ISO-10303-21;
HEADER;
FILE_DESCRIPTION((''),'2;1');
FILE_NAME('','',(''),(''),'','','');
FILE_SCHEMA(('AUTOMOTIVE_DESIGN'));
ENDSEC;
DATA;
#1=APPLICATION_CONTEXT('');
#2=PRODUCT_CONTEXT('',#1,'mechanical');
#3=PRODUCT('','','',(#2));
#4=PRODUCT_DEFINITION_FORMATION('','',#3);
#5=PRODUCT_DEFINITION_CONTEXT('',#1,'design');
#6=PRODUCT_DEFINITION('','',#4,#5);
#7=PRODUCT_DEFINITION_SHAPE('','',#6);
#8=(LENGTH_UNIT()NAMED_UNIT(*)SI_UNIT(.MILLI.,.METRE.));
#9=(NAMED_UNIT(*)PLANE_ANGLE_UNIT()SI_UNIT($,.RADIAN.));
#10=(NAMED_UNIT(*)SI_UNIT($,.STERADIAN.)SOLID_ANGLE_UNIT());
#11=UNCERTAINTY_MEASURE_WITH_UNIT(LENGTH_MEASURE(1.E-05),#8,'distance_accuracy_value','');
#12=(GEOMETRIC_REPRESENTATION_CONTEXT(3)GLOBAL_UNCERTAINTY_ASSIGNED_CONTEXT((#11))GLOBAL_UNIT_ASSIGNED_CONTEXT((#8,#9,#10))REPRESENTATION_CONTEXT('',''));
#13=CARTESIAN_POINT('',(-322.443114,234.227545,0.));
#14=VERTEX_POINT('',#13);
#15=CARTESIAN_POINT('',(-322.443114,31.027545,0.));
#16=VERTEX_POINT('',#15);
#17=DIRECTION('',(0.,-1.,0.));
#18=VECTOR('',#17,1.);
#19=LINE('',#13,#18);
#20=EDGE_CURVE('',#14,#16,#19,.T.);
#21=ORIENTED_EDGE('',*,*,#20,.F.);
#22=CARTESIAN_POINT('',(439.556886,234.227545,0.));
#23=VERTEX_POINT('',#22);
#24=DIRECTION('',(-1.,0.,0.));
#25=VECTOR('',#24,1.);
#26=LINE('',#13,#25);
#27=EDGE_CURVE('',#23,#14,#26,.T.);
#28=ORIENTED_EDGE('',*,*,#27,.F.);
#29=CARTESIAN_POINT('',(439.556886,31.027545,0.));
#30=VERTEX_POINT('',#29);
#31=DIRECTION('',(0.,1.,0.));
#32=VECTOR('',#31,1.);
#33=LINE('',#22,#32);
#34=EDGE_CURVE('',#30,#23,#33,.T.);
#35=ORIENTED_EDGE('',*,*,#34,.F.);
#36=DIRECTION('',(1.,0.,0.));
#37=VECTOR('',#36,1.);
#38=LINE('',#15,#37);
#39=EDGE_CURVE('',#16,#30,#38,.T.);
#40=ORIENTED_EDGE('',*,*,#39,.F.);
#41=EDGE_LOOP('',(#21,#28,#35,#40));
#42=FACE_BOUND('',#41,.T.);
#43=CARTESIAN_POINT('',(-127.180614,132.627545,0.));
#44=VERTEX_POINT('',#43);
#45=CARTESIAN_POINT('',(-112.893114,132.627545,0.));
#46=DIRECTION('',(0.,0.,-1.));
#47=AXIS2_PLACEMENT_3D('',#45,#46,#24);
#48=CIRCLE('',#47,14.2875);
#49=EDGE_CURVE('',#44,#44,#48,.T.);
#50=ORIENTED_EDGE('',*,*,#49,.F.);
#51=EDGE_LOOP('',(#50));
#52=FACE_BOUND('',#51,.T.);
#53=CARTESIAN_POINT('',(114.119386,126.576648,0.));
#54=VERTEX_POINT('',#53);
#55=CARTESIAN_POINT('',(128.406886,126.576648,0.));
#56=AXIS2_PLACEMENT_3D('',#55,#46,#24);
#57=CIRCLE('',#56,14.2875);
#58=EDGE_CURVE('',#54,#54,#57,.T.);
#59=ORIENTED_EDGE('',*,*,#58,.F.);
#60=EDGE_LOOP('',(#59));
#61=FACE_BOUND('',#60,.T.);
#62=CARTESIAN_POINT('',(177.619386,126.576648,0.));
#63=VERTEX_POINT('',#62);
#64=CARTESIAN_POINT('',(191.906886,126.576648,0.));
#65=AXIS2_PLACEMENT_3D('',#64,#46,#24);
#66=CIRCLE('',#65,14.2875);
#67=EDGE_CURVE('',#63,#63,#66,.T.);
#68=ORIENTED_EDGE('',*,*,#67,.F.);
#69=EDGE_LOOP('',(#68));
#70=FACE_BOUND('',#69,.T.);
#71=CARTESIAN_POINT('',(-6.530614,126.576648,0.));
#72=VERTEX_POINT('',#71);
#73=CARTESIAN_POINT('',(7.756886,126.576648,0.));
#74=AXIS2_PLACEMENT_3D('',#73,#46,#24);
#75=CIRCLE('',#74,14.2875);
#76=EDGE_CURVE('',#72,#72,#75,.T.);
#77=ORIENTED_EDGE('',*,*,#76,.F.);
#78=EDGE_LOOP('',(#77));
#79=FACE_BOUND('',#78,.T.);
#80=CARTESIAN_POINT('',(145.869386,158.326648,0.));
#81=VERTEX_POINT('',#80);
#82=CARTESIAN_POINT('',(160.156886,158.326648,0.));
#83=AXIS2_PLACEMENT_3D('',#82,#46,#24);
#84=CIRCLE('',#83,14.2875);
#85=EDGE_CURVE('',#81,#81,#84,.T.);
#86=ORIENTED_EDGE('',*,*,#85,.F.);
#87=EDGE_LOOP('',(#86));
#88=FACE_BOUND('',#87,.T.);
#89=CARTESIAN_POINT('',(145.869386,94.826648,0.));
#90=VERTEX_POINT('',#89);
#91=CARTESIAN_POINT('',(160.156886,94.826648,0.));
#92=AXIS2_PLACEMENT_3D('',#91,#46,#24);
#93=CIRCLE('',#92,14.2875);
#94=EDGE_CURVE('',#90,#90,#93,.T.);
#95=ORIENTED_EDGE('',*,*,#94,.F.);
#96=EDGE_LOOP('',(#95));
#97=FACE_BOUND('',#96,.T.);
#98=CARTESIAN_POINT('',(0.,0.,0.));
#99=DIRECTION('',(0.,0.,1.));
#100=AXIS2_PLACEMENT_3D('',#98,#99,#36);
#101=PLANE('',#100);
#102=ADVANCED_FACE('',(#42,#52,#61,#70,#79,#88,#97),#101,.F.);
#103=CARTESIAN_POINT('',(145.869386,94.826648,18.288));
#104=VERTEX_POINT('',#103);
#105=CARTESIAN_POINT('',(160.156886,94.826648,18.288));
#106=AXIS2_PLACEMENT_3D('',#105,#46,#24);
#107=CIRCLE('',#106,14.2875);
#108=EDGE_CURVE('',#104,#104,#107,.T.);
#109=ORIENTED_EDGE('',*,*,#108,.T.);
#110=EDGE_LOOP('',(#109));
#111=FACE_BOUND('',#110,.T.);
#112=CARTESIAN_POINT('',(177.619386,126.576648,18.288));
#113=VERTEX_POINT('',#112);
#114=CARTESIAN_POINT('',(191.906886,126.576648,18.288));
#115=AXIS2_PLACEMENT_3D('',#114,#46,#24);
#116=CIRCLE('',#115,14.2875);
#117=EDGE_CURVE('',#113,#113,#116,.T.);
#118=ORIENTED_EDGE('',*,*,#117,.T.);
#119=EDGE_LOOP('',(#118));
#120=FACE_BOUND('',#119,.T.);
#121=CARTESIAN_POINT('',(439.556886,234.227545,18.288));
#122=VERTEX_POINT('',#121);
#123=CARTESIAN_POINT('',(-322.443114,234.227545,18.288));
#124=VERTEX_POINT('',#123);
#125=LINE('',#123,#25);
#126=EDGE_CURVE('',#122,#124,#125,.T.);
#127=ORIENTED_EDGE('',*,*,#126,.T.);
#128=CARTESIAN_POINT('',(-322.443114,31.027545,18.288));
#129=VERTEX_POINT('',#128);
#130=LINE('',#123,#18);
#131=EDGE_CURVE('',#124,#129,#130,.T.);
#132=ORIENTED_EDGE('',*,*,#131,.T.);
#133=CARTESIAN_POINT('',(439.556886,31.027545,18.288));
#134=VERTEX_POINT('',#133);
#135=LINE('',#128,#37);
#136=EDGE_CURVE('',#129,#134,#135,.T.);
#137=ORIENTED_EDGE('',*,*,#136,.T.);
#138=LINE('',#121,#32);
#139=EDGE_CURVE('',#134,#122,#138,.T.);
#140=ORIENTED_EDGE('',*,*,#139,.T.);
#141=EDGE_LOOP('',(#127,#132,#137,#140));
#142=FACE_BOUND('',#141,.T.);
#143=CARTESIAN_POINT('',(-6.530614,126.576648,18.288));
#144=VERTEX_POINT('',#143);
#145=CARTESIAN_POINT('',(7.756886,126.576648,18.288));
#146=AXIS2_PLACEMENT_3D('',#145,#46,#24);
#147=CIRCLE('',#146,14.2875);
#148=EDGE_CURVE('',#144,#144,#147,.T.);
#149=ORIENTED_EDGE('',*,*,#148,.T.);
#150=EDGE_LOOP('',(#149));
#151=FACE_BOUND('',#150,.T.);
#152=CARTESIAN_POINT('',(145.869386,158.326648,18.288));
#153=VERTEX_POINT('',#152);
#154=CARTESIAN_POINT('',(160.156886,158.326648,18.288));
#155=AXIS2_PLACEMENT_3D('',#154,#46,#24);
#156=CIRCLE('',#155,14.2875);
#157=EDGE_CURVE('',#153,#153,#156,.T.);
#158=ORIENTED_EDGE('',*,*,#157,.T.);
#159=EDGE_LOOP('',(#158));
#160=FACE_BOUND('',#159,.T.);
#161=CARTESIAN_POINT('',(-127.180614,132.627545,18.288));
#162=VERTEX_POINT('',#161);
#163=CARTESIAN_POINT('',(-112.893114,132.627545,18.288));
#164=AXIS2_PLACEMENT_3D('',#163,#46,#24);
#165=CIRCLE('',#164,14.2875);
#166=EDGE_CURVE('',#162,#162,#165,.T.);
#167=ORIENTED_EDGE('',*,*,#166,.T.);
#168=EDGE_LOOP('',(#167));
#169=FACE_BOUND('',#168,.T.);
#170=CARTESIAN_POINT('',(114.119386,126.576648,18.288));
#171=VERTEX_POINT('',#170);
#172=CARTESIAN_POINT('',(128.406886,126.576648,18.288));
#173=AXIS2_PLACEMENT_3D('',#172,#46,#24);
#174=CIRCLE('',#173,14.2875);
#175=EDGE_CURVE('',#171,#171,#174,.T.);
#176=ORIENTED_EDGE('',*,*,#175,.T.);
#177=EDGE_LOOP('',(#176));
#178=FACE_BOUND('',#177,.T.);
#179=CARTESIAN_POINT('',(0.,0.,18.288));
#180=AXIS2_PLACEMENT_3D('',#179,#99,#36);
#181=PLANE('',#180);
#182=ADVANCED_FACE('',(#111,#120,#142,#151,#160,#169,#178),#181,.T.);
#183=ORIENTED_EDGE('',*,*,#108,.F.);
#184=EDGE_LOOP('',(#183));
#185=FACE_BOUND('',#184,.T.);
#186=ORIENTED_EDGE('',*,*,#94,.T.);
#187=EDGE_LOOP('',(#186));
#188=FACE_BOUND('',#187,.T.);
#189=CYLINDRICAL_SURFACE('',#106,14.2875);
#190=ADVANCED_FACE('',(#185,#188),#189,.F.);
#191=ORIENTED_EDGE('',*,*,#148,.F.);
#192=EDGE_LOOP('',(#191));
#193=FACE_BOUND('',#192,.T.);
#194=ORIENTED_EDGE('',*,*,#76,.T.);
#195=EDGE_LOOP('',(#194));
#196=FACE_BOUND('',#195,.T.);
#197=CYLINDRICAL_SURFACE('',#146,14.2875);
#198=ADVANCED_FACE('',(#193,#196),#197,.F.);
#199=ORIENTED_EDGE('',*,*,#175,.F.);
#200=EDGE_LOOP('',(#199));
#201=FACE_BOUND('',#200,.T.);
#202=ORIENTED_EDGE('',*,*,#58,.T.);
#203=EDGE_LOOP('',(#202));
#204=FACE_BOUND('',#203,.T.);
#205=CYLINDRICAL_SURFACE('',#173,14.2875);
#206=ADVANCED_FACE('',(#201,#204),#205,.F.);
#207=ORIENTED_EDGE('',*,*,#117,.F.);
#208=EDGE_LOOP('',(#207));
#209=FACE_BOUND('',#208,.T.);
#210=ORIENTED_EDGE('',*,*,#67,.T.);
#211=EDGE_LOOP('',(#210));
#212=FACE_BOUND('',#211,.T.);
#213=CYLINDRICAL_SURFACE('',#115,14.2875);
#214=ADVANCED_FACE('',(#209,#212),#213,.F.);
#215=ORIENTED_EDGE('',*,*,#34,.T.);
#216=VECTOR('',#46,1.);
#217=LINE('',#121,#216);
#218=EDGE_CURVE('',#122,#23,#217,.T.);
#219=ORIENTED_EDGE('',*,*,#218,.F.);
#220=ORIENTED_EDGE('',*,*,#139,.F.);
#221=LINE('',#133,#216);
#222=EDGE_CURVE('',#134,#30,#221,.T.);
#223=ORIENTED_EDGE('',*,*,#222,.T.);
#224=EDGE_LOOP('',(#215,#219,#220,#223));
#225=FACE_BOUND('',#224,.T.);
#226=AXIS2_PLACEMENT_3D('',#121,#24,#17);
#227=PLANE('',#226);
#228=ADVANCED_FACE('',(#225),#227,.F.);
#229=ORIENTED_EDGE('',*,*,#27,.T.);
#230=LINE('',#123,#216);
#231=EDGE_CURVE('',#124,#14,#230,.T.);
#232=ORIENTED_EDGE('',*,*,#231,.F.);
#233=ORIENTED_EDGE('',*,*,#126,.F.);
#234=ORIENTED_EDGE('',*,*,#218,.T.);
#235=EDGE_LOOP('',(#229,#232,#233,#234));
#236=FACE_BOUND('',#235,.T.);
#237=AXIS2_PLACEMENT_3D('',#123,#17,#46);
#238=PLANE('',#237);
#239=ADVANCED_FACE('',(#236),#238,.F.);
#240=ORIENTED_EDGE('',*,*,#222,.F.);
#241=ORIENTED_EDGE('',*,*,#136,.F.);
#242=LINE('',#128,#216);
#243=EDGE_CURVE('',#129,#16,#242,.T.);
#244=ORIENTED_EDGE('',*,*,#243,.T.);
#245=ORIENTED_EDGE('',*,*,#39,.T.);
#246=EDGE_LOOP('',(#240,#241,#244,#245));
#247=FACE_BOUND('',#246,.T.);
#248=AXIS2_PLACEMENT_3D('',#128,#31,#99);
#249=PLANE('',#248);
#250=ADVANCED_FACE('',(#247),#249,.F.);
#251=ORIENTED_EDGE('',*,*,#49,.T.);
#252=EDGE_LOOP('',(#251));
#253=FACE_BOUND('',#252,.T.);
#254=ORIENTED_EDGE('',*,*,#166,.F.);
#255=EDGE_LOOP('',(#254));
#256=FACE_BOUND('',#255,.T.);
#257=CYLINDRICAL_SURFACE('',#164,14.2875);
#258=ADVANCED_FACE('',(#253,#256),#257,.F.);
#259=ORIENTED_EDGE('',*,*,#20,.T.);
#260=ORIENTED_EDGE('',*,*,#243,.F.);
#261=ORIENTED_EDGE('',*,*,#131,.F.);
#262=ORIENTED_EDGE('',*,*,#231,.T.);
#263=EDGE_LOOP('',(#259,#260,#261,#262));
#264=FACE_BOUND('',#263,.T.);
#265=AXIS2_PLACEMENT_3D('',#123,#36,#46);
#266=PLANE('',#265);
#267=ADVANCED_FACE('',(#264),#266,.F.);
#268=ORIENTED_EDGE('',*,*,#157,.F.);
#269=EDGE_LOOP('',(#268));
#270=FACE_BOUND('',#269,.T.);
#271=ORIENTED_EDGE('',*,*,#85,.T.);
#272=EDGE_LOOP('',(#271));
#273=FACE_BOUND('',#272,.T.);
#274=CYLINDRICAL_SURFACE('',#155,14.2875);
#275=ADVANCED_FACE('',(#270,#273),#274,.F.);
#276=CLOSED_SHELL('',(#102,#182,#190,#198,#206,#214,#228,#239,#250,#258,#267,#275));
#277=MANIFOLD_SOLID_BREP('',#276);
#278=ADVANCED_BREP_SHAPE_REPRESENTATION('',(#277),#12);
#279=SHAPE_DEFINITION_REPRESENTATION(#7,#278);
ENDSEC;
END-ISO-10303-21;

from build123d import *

# Parameters (mm, degrees)
SKETCH1_W           = 762
SKETCH1_H           = 203.2
BOSS_EXTRUDE1_DEPTH = 18.288
SKETCH2_R           = 14.2875
CUT_EXTRUDE1_DEPTH  = 499.404705003
SKETCH3_R           = 14.2875
CUT_EXTRUDE2_DEPTH  = 499.404705003


with BuildPart() as part:
    # Sketch1 → Boss-Extrude1 (new body)
    with BuildSketch(Plane.XY):
        with Locations((58.556886228, 132.62754491)):
            Rectangle(SKETCH1_W, SKETCH1_H)
    extrude(amount=BOSS_EXTRUDE1_DEPTH)

    # Sketch2 → Cut-Extrude1 (cut, through all)
    with BuildSketch(Plane(origin=(0, 0, 0), x_dir=(-1, 0, 0), z_dir=(0, 0, -1))):
        with Locations((112.893113772, 132.62754491)):
            Circle(SKETCH2_R)
    extrude(amount=-CUT_EXTRUDE1_DEPTH, mode=Mode.SUBTRACT)

    # Sketch3 → Cut-Extrude2 (cut, through all)
    with BuildSketch(Plane(origin=(0, 0, 0), x_dir=(-1, 0, 0), z_dir=(0, 0, -1))):
        with Locations((-128.406886228, 126.576648332)):
            Circle(SKETCH3_R)
        with Locations((-191.906886228, 126.576648332)):
            Circle(SKETCH3_R)
        with Locations((-160.156886228, 158.326648332)):
            Circle(SKETCH3_R)
        with Locations((-160.156886228, 94.826648332)):
            Circle(SKETCH3_R)
        with Locations((-7.756886228, 126.576648332)):
            Circle(SKETCH3_R)
    extrude(amount=-CUT_EXTRUDE2_DEPTH, mode=Mode.SUBTRACT)


solid = part.part
